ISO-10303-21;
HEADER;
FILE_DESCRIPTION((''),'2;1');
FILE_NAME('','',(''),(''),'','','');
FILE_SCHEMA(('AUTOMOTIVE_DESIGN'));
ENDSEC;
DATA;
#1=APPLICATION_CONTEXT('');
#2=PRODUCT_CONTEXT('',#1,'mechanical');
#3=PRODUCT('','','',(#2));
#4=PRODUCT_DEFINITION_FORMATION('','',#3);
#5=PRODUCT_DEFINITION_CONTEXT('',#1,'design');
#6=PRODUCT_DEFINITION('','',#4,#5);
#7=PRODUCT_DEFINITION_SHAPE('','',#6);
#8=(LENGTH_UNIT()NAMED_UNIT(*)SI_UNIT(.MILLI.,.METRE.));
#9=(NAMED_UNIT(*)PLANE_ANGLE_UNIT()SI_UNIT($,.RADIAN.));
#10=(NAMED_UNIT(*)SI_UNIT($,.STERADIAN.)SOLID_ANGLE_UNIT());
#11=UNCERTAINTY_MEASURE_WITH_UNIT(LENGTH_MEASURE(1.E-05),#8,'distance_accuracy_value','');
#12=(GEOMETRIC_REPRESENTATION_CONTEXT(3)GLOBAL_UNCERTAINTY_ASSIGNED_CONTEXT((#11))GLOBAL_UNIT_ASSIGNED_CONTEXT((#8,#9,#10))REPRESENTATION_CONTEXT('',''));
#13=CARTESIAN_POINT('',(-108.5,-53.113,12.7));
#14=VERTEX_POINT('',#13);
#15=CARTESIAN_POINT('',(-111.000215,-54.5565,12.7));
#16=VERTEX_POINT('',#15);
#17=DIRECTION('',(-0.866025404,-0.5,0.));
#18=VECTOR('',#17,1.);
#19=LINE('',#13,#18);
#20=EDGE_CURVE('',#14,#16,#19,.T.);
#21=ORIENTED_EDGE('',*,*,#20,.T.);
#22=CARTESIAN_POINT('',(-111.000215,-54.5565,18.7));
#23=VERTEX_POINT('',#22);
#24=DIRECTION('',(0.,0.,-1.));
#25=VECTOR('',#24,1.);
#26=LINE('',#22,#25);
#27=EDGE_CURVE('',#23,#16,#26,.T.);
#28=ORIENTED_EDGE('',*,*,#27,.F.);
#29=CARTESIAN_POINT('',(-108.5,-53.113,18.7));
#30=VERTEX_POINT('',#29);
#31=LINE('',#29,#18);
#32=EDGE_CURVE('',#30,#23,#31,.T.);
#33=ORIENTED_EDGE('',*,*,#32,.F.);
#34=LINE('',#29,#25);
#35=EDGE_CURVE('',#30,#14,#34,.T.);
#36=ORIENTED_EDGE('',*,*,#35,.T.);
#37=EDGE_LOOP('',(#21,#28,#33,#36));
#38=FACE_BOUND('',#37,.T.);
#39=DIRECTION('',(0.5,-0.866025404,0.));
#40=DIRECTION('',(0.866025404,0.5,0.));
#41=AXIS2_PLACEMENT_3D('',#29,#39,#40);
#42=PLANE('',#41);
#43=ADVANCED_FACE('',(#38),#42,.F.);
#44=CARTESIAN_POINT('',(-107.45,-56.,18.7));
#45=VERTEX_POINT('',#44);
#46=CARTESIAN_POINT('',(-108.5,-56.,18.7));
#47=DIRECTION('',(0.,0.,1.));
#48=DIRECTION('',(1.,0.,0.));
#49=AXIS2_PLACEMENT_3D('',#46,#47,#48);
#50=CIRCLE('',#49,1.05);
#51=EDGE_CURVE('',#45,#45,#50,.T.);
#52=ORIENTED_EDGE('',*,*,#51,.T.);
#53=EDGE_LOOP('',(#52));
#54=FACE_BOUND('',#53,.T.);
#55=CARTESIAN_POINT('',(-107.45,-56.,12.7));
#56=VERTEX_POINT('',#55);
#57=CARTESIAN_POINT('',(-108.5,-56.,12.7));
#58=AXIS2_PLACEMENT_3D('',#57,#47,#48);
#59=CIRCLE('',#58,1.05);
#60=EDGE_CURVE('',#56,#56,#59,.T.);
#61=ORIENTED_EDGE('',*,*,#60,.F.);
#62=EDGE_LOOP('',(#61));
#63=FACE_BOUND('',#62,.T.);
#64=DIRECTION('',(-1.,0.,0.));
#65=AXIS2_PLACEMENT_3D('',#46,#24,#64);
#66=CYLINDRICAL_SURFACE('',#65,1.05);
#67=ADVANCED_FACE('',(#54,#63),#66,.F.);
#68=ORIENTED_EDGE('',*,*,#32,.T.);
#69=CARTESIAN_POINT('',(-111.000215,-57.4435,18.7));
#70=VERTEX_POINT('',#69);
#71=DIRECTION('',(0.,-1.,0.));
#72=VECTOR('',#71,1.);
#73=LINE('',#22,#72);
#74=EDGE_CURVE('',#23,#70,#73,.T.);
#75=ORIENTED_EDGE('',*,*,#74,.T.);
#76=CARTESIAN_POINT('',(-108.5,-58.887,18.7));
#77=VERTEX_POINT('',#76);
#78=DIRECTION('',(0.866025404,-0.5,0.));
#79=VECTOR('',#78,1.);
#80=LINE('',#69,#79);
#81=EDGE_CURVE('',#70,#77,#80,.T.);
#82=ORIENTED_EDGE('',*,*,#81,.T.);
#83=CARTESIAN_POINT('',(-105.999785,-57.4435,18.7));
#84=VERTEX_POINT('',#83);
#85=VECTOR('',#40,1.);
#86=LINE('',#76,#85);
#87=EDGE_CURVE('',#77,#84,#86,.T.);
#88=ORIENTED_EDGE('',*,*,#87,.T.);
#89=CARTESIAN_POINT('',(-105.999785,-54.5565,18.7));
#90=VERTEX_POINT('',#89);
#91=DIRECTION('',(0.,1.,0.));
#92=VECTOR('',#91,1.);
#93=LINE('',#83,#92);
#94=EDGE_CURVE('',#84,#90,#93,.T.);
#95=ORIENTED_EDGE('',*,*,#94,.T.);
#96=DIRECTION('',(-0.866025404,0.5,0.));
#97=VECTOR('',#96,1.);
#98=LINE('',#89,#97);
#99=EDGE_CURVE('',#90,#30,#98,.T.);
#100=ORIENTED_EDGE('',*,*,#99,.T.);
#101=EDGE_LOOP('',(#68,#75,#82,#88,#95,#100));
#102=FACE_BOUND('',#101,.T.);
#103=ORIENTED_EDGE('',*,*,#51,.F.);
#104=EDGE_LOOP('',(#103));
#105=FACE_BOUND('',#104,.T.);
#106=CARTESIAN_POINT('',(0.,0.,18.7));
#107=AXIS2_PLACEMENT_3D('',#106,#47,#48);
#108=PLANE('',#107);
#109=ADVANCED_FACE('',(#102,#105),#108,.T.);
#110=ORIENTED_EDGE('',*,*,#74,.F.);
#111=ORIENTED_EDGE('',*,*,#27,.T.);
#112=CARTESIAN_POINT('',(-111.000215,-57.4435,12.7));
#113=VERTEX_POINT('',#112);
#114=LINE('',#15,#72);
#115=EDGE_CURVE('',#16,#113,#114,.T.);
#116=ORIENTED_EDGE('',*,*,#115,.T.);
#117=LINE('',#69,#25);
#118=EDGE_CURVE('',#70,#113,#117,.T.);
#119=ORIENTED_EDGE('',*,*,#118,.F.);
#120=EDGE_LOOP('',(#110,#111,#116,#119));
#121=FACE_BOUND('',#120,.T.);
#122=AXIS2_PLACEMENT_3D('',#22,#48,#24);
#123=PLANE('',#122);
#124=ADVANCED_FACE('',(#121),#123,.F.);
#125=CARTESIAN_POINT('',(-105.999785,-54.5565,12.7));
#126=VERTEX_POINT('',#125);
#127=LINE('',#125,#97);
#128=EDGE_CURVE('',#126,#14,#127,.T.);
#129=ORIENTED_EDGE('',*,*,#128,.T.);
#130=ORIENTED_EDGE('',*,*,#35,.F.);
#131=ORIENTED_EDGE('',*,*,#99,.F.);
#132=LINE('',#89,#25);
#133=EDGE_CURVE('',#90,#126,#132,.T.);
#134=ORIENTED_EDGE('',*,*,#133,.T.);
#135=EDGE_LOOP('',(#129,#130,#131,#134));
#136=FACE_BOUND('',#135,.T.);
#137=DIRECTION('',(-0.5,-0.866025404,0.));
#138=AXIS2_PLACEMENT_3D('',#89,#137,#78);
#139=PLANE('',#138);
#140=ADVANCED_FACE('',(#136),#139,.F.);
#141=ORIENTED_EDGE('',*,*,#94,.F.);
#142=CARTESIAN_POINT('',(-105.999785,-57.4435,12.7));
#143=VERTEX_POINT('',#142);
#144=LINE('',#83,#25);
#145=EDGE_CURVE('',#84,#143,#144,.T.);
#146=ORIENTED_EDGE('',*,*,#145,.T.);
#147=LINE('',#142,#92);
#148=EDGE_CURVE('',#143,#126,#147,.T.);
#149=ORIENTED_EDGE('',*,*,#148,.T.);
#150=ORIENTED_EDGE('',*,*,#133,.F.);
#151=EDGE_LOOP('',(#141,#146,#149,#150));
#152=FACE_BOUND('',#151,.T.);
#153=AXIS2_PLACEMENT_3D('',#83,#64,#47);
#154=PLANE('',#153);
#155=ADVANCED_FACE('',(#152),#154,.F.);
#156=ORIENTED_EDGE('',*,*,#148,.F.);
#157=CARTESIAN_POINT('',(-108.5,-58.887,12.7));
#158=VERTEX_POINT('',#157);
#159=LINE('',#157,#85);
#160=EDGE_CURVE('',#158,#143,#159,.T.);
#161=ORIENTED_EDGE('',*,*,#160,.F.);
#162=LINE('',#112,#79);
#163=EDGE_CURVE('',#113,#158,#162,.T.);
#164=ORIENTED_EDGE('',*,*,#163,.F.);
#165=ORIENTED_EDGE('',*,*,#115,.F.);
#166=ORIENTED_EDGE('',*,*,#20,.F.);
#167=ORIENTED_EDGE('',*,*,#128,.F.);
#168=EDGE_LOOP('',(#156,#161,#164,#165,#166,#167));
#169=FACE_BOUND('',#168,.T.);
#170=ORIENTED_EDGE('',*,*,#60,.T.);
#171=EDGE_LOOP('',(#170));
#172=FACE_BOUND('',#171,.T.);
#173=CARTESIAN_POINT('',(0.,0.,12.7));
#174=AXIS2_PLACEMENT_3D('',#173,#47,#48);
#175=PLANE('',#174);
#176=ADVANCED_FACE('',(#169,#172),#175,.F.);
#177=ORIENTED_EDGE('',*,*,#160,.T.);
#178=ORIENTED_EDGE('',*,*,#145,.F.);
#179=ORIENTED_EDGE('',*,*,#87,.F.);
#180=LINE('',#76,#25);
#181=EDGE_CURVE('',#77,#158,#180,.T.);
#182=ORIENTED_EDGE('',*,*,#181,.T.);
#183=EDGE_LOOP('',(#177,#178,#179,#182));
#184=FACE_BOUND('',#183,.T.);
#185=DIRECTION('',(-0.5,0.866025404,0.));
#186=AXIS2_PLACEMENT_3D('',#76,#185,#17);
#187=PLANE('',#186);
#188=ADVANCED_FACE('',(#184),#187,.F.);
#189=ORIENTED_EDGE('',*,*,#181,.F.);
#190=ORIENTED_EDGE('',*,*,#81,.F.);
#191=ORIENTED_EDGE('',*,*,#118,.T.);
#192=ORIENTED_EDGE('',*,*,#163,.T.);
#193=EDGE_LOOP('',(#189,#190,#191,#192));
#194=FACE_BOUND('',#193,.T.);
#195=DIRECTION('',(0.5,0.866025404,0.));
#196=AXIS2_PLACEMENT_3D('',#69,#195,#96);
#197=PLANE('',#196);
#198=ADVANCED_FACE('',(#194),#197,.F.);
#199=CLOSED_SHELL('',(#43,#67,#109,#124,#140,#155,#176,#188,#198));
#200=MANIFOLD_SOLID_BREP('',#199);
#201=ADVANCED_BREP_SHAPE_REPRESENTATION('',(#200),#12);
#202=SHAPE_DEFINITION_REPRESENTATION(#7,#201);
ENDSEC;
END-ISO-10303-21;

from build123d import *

# Parameters (mm, degrees)
HEX_5_START      = 12.7
HEX_5_DEPTH      = 6
ROSCA_M2_5_START = 12.7
CROQUIS2_R       = 1.05
ROSCA_M2_5_DEPTH = 6


with BuildPart() as part:
    # Croquis1 → Hex_5 (new body)
    with BuildSketch(Plane.XY.offset(HEX_5_START)):
        Polygon((-105.999784659, -54.5565), (-108.5, -53.113), (-111.000215341, -54.5565), (-111.000215341, -57.4435), (-108.5, -58.887), (-105.999784659, -57.4435), align=None)
    extrude(amount=HEX_5_DEPTH)

    # Croquis2 → Rosca_M2-5 (cut)
    with BuildSketch(Plane.XY.offset(ROSCA_M2_5_START)):
        with Locations((-108.5, -56)):
            Circle(CROQUIS2_R)
    extrude(amount=ROSCA_M2_5_DEPTH, mode=Mode.SUBTRACT)


solid = part.part
